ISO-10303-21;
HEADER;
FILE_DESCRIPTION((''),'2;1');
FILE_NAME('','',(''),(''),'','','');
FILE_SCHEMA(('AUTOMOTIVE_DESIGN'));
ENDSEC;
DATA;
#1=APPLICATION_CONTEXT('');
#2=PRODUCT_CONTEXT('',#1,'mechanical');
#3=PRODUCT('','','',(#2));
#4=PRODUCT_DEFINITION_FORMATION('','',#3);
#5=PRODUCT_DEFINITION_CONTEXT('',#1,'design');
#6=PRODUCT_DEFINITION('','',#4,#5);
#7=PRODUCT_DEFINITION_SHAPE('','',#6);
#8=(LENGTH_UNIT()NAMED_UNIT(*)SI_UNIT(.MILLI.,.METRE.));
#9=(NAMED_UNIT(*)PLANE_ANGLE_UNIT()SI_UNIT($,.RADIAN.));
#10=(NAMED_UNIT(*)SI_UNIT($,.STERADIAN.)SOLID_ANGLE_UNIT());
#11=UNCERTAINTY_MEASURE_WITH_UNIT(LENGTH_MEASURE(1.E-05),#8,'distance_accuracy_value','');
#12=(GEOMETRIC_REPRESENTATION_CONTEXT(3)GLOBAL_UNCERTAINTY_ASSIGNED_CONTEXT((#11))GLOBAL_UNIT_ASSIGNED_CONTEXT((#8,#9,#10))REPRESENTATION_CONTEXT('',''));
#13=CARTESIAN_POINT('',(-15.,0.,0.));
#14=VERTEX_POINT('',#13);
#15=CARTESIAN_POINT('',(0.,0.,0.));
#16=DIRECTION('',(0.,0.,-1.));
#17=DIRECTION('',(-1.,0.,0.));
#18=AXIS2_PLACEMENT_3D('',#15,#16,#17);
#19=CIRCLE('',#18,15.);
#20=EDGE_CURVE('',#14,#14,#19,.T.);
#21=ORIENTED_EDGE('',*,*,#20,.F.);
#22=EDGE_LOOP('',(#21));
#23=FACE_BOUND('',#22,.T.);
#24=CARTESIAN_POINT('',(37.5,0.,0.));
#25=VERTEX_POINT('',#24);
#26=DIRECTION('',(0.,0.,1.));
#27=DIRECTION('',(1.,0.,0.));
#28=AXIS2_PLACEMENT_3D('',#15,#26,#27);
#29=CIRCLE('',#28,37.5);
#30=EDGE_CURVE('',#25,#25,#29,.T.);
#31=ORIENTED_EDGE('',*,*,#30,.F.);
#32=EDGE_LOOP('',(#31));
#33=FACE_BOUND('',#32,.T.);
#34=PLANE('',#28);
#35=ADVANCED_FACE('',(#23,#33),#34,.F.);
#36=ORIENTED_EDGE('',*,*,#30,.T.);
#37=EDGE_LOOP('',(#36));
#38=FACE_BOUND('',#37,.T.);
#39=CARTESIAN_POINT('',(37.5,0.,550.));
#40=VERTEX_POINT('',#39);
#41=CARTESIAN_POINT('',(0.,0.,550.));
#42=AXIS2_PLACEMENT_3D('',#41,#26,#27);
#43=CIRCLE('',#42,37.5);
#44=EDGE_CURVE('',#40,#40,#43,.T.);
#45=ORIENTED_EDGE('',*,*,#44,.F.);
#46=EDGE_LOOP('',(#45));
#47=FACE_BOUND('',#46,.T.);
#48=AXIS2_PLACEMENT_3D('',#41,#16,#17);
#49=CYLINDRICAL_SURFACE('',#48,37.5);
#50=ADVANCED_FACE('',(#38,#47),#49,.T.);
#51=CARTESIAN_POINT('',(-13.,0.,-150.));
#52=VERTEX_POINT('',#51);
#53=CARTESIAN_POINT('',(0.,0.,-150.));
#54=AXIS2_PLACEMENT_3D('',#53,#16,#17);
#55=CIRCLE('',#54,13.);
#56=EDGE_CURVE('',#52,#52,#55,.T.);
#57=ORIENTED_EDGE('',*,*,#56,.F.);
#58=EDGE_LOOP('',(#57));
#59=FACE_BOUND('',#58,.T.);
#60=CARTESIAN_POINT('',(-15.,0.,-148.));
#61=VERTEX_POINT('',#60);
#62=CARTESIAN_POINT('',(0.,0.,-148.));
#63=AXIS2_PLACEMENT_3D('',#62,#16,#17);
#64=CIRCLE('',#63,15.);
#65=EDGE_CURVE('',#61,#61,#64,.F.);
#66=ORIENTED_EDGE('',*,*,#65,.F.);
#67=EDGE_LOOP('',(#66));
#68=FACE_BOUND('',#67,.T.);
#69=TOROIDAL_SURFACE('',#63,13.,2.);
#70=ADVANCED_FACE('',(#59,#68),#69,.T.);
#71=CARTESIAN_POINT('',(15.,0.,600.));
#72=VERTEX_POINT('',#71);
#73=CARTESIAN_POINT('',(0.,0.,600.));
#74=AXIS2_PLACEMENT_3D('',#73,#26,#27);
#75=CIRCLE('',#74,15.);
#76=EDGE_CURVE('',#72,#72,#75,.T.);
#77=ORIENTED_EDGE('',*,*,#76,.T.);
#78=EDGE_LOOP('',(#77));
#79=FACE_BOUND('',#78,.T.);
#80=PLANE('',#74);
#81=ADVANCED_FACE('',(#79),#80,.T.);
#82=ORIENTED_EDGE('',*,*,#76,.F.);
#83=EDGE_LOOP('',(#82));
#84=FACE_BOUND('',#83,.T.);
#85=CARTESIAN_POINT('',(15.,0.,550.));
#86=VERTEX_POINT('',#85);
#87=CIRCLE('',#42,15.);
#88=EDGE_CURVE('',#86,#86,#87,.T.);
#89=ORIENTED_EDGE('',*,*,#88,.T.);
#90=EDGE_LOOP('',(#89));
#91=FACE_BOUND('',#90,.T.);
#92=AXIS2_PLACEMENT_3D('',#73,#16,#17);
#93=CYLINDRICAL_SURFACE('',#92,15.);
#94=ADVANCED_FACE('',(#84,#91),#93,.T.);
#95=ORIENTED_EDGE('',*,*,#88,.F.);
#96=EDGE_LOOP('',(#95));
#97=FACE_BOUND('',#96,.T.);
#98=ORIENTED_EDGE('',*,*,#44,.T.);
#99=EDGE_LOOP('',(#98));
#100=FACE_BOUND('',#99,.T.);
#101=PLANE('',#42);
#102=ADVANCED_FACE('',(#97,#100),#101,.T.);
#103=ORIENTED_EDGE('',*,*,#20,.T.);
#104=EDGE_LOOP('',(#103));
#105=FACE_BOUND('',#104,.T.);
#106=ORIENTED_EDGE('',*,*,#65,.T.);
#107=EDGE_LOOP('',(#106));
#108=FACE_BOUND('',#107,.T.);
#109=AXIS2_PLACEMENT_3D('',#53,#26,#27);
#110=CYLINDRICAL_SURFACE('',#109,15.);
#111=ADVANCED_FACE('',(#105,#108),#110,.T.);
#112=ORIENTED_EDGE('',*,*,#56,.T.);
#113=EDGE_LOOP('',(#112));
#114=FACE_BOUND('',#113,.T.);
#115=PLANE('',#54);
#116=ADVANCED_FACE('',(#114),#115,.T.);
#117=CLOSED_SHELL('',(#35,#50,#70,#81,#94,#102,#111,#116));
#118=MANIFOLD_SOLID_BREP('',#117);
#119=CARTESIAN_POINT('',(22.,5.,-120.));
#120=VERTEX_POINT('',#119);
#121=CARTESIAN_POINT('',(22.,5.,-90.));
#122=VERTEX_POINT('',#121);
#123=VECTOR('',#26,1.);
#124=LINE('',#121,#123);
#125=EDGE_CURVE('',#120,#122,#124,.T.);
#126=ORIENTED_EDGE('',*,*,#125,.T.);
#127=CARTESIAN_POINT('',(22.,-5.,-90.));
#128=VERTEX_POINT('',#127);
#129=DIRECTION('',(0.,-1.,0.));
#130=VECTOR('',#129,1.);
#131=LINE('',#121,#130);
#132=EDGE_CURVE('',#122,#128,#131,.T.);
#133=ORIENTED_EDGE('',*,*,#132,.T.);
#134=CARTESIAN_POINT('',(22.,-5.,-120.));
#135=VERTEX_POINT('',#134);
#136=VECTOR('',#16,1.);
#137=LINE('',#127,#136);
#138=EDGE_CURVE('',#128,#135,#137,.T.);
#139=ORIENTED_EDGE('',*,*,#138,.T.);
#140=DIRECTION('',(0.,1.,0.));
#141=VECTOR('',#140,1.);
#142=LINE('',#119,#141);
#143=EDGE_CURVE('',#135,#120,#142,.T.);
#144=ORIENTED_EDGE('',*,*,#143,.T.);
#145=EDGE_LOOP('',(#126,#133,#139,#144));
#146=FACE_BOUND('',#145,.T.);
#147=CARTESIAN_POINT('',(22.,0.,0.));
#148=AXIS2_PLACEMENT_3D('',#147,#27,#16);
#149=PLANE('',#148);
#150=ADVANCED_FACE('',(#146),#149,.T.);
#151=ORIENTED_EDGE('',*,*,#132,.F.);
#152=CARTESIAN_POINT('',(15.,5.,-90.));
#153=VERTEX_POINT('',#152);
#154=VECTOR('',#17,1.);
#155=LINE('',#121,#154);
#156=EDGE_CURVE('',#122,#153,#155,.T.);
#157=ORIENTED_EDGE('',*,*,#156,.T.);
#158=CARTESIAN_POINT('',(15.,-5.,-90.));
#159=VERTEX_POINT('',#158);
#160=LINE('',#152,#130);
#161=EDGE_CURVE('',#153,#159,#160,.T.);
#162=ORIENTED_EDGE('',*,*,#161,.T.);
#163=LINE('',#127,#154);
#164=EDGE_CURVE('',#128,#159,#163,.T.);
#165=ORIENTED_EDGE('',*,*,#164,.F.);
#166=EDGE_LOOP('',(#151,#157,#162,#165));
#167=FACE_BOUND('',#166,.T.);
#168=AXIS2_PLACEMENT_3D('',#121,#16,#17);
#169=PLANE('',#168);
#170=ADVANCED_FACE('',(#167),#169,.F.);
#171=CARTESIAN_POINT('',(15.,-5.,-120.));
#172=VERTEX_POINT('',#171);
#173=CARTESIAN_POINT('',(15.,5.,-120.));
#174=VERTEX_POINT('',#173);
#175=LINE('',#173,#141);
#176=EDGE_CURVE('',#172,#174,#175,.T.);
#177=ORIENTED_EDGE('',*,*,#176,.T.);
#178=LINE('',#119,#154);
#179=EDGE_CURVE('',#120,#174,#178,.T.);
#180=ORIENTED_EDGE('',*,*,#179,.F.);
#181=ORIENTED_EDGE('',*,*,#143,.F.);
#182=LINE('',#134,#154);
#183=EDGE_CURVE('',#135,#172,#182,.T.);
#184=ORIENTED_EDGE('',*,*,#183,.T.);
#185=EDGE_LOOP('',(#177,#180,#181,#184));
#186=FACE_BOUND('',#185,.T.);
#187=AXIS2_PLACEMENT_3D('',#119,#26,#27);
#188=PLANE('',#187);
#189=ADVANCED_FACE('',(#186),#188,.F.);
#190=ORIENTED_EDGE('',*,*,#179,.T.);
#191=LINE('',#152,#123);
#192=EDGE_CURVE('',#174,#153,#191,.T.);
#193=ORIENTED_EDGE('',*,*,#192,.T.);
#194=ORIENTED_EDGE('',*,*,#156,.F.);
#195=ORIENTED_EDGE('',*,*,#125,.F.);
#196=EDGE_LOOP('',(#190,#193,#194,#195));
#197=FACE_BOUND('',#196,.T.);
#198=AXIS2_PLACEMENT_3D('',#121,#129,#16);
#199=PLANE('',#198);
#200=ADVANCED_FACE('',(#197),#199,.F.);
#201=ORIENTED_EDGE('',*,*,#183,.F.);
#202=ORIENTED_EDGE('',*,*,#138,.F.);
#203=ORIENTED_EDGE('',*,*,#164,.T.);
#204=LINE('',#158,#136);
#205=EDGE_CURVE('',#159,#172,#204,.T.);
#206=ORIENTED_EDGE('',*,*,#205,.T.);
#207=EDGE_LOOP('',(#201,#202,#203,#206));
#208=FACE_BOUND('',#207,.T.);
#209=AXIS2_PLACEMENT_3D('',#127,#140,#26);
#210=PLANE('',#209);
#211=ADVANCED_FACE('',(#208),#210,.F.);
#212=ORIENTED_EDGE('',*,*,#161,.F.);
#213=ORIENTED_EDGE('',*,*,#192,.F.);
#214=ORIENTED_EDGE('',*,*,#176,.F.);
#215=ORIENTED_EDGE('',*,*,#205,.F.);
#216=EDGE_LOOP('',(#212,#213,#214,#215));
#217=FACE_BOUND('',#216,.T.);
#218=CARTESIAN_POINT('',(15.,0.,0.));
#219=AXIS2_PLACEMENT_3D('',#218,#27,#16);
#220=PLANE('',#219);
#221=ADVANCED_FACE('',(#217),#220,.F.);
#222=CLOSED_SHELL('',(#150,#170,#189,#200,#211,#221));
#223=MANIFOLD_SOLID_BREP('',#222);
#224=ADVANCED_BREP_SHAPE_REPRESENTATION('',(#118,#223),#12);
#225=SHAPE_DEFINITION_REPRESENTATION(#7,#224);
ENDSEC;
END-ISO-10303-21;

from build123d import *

# Parameters (mm, degrees)
SKETCH1_R           = 37.5
BOSS_EXTRUDE1_DEPTH = 550
SKETCH2_R           = 15
BOSS_EXTRUDE2_DEPTH = 50
SKETCH3_R           = 15
BOSS_EXTRUDE3_DEPTH = 150
SKETCH6_W           = 30
SKETCH6_H           = 10
BOSS_EXTRUDE4_DEPTH = 7
FILLET1_R           = 2


with BuildPart() as part:
    # Sketch1 → Boss-Extrude1 (new body)
    with BuildSketch(Plane.XY):
        Circle(SKETCH1_R)
    extrude(amount=BOSS_EXTRUDE1_DEPTH)

    # Sketch2 → Boss-Extrude2 (add)
    with BuildSketch(Plane.XY.offset(550)):
        Circle(SKETCH2_R)
    extrude(amount=BOSS_EXTRUDE2_DEPTH)

    # Sketch3 → Boss-Extrude3 (add)
    with BuildSketch(Plane(origin=(0, 0, 0), x_dir=(-1, 0, 0), z_dir=(0, 0, -1))):
        Circle(SKETCH3_R)
    extrude(amount=BOSS_EXTRUDE3_DEPTH)

    # Fillet1
    fillet1_edges = [part.edges().sort_by_distance(p)[0] for p in [
        (15, 0, -150),
    ]]
    fillet(fillet1_edges, radius=FILLET1_R)


with BuildPart() as body_2:
    # Sketch6 → Boss-Extrude4 (new body)
    with BuildSketch(Plane(origin=(15, 0, 0), x_dir=(0, 0, -1), z_dir=(1, 0, 0))):
        with Locations((105, 0)):
            Rectangle(SKETCH6_W, SKETCH6_H)
    extrude(amount=BOSS_EXTRUDE4_DEPTH)


solid = Compound([part.part, body_2.part])
